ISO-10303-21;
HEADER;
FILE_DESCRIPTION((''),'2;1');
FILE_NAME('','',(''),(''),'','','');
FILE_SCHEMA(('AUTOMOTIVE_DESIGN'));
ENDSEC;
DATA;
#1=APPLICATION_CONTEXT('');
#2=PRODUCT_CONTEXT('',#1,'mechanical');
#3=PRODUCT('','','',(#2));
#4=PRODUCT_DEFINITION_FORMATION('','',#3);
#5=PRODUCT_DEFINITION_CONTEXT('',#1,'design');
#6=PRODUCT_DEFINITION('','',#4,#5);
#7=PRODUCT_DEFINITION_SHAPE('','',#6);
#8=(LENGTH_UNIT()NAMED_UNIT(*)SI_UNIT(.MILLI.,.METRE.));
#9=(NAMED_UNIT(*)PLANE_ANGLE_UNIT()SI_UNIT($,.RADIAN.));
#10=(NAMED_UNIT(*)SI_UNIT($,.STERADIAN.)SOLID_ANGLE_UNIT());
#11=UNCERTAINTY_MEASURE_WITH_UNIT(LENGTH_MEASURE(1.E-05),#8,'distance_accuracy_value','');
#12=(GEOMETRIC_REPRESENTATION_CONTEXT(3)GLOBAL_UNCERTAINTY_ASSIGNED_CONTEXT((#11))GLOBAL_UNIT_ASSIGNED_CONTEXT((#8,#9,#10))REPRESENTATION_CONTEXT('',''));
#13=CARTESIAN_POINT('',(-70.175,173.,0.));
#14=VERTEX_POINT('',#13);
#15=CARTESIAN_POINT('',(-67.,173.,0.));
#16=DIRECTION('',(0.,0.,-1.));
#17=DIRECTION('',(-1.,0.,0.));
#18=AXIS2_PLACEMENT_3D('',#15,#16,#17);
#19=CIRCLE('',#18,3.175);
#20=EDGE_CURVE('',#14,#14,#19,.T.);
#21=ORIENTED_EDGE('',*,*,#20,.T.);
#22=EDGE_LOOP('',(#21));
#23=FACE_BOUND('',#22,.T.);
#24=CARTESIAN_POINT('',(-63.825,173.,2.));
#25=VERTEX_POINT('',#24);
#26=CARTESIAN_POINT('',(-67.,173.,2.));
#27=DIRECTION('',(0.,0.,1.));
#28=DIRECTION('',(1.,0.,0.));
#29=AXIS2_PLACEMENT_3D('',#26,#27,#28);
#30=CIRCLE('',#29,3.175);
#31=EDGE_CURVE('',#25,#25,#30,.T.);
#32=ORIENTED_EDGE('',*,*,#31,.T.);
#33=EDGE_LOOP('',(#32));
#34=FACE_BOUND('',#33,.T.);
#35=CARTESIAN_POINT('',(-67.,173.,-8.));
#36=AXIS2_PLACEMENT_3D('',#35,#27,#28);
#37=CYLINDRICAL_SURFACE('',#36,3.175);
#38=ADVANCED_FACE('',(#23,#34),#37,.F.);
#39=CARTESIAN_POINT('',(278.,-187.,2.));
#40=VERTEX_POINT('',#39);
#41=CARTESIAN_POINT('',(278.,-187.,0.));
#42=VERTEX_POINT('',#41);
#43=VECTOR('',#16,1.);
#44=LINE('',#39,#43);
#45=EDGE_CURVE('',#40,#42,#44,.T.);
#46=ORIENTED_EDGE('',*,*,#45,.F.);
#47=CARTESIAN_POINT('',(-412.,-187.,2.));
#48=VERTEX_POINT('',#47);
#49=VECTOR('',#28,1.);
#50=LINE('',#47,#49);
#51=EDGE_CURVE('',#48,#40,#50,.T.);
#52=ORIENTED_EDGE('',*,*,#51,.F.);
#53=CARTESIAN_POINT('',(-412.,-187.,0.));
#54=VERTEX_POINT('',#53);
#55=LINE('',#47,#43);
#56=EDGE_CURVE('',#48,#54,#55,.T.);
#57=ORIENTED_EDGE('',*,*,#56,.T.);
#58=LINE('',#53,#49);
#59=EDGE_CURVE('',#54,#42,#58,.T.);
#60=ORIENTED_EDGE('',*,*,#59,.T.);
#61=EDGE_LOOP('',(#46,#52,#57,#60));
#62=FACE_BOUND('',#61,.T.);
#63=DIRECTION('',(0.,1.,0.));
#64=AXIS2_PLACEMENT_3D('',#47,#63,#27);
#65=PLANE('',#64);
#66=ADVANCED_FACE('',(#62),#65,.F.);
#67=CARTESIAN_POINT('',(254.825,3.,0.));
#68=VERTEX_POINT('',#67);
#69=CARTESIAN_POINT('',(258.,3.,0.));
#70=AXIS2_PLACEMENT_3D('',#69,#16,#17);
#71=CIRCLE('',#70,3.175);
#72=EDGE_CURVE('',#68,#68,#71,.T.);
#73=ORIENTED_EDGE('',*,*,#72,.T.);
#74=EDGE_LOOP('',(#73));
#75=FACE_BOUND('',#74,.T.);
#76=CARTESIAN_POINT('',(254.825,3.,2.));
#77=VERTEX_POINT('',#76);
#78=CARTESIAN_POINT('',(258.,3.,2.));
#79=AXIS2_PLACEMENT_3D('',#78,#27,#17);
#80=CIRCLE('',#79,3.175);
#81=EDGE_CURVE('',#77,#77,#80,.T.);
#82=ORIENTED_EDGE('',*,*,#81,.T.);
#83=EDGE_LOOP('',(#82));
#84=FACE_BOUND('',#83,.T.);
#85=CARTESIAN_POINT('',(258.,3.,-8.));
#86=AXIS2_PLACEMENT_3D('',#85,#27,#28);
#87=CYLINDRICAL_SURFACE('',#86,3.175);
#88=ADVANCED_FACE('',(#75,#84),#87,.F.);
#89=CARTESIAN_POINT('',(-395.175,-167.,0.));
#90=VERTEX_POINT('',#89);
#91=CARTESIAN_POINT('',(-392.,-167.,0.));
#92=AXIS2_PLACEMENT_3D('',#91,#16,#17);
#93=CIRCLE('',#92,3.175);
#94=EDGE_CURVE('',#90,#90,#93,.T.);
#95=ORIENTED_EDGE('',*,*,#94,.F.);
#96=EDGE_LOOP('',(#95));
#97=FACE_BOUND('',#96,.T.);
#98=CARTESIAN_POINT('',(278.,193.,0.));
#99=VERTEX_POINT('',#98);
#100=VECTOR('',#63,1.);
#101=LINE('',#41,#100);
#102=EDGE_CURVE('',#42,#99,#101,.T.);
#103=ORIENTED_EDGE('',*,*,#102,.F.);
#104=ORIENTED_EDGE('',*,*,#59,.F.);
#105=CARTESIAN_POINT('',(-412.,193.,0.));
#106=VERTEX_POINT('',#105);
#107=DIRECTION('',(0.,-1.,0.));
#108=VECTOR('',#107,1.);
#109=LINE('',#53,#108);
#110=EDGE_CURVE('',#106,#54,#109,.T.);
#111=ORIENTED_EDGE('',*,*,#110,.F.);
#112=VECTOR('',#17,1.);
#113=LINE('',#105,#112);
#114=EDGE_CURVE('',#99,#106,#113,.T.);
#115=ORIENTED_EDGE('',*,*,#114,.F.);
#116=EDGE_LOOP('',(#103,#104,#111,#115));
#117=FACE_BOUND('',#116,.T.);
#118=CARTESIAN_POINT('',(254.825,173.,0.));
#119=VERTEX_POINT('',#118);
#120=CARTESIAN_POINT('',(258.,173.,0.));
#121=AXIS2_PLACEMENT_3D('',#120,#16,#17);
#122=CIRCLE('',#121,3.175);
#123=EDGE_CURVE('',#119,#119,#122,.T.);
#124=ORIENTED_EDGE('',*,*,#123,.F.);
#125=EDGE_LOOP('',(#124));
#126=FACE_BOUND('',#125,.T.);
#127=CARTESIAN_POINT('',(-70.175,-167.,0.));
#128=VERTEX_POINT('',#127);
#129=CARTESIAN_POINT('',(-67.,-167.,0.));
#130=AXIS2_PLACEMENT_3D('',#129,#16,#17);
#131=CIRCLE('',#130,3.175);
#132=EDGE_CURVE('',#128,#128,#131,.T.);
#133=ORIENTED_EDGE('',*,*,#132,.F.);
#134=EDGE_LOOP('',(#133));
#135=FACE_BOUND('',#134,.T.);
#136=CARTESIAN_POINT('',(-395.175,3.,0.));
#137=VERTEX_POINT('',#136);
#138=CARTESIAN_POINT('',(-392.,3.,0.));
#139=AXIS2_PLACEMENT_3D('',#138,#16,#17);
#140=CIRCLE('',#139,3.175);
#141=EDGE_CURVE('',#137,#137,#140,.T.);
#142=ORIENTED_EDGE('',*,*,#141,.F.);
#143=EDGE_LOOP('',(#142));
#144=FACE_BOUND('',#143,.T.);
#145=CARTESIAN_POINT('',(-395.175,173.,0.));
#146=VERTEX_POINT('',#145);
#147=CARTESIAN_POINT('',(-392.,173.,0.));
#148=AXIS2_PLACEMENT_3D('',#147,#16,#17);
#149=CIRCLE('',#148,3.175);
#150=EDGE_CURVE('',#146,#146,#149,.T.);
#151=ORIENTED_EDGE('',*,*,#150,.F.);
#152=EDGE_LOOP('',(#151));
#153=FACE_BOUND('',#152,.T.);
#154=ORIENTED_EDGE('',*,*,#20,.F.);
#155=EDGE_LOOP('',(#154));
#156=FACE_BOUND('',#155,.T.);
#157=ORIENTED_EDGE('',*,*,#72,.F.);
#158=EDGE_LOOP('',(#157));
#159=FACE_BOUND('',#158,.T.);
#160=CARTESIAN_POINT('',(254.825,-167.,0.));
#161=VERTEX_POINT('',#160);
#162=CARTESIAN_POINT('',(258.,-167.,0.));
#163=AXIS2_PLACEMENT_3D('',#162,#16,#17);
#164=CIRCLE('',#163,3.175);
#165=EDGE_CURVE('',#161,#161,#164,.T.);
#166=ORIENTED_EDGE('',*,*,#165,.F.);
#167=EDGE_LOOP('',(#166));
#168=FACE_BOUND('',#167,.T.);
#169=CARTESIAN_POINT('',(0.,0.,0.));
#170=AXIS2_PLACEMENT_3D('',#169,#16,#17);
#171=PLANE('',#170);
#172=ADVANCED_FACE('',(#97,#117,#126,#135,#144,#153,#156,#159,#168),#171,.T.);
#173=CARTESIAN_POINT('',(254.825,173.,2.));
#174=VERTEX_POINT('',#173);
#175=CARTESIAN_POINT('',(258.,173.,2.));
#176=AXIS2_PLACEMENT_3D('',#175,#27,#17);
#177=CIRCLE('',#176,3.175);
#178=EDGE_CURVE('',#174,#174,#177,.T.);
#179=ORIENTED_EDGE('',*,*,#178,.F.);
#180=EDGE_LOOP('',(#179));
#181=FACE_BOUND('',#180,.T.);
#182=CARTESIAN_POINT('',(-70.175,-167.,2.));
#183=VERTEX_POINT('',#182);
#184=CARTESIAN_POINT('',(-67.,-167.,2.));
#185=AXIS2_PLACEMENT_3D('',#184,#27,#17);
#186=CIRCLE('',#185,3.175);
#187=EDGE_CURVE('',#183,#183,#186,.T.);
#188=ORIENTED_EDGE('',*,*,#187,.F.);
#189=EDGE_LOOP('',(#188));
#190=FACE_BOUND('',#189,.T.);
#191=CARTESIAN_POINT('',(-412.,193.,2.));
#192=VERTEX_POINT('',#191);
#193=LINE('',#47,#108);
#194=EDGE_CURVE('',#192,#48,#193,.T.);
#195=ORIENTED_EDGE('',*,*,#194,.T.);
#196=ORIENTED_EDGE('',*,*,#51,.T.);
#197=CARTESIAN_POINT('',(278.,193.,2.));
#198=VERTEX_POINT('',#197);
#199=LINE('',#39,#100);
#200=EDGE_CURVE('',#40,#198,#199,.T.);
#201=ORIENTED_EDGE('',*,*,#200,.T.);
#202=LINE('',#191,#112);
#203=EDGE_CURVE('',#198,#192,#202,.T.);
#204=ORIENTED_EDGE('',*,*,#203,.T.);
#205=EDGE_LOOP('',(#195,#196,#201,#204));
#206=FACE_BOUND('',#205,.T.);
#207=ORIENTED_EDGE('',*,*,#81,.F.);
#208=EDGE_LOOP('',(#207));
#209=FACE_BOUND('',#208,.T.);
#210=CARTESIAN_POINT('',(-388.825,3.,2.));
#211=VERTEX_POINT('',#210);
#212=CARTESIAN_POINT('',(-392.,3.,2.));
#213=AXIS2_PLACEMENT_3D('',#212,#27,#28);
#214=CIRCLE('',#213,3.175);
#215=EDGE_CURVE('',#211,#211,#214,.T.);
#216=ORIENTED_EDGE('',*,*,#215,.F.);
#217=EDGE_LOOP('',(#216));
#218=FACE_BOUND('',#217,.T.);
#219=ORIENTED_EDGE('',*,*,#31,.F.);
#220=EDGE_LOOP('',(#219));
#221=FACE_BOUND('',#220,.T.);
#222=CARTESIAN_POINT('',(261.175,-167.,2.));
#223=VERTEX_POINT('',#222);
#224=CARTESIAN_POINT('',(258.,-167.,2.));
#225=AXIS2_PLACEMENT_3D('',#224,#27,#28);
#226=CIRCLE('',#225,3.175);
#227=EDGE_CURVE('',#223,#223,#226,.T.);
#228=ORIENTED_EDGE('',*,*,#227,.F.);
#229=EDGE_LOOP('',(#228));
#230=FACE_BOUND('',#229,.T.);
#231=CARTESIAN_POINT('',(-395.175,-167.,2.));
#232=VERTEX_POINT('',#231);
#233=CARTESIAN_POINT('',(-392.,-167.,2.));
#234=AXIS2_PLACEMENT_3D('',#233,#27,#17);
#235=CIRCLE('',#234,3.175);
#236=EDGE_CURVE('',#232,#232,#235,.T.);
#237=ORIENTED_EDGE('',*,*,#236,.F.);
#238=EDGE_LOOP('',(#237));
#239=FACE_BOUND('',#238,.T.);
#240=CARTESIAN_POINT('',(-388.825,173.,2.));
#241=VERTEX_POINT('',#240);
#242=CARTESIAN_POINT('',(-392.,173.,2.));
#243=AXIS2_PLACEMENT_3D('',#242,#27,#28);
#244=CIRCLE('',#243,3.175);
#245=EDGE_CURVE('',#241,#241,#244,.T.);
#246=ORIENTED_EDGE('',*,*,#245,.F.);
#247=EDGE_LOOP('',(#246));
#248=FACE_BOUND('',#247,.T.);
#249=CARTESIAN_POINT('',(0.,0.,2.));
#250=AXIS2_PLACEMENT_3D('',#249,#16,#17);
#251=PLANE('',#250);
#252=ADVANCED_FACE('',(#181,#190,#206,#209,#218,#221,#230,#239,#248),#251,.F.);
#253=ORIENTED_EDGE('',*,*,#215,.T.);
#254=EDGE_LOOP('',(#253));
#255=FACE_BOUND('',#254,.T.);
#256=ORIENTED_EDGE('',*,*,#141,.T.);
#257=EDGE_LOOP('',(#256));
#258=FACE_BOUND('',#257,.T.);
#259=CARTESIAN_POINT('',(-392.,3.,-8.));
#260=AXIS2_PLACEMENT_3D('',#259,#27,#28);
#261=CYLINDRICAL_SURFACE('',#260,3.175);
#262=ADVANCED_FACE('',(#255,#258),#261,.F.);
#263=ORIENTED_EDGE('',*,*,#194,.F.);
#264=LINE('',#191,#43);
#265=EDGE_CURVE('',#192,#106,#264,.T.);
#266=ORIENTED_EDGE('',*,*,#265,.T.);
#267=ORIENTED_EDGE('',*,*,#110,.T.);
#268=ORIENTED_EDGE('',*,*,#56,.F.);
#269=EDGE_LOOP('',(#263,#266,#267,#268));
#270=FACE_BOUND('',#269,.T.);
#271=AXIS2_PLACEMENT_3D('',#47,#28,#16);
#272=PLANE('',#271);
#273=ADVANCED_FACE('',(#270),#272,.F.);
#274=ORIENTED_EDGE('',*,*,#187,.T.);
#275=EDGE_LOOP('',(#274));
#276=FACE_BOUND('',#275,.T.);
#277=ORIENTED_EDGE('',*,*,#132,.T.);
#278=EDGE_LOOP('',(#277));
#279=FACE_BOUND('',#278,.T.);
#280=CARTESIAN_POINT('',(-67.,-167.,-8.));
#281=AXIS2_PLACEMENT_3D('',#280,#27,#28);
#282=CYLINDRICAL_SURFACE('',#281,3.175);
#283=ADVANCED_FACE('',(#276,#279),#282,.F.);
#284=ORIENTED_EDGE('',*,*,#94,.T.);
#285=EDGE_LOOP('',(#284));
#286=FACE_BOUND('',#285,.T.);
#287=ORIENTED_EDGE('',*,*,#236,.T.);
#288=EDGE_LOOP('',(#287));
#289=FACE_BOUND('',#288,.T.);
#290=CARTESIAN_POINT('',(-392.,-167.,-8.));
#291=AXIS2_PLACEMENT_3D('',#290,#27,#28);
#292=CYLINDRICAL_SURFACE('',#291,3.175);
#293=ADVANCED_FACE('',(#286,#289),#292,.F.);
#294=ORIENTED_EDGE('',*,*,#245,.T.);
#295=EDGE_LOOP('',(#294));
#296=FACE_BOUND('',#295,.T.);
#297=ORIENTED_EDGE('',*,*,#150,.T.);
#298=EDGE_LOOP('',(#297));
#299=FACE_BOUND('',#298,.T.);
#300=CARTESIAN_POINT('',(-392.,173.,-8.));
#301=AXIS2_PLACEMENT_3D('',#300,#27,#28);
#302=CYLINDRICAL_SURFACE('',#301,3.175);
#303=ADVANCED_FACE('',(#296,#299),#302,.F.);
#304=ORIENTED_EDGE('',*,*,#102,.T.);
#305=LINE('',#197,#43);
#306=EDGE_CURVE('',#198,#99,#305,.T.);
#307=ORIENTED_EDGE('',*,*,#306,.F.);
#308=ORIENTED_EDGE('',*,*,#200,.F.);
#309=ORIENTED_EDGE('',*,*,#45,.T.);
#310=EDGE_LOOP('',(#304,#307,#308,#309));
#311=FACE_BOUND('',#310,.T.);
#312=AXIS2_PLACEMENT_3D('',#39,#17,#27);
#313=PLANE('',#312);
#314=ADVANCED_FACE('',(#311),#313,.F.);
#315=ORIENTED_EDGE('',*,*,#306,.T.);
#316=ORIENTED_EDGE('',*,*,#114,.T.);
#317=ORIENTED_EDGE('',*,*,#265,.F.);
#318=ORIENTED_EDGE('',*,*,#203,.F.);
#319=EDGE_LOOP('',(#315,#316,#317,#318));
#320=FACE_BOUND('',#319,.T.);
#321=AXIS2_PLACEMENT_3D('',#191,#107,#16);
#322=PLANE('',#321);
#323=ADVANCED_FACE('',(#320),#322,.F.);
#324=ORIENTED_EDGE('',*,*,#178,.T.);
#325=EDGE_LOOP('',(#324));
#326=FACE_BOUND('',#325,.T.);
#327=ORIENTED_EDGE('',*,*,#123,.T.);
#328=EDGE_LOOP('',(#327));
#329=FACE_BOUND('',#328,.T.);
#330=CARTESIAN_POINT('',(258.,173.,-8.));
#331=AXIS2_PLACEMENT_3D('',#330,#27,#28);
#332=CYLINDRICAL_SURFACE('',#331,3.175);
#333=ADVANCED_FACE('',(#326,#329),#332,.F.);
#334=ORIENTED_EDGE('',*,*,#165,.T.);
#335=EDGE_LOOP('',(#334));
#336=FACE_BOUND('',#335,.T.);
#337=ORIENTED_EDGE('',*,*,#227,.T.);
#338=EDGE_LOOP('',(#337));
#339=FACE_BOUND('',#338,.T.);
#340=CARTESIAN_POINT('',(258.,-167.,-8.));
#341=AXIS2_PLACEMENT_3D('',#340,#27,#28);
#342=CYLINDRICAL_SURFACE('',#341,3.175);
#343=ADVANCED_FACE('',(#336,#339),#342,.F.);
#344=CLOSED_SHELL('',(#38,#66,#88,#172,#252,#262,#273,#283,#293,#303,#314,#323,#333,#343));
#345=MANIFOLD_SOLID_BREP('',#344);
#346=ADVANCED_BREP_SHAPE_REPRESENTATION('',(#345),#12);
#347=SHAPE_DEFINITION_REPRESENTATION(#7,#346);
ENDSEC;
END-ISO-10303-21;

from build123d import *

# Parameters (mm, degrees)
CROQUIS1_W              = 690
CROQUIS1_H              = 380
SALIENTE_EXTRUIR1_DEPTH = 2
CROQUIS2_R              = 3.175
CORTAR_EXTRUIR2_DEPTH   = 10


with BuildPart() as part:
    # Croquis1 → Saliente-Extruir1 (new body)
    with BuildSketch(Plane.XY):
        with Locations((-67, 3)):
            Rectangle(CROQUIS1_W, CROQUIS1_H)
    extrude(amount=SALIENTE_EXTRUIR1_DEPTH)

    # Croquis2 → Cortar-Extruir2 (cut)
    with BuildSketch(Plane.XY.offset(2)):
        with Locations((-392, 173)):
            Circle(CROQUIS2_R)
        with Locations(Location((258, 173, 0), (0, 0, 180))):
            Circle(CROQUIS2_R)
        with Locations((258, -167)):
            Circle(CROQUIS2_R)
        with Locations(Location((-392, -167, 0), (0, 0, 180))):
            Circle(CROQUIS2_R)
        with Locations((-392, 3)):
            Circle(CROQUIS2_R)
        with Locations(Location((258, 3, 0), (0, 0, 180))):
            Circle(CROQUIS2_R)
        with Locations((-67, 173)):
            Circle(CROQUIS2_R)
        with Locations(Location((-67, -167, 0), (0, 0, 180))):
            Circle(CROQUIS2_R)
    extrude(amount=-CORTAR_EXTRUIR2_DEPTH, mode=Mode.SUBTRACT)


solid = part.part
